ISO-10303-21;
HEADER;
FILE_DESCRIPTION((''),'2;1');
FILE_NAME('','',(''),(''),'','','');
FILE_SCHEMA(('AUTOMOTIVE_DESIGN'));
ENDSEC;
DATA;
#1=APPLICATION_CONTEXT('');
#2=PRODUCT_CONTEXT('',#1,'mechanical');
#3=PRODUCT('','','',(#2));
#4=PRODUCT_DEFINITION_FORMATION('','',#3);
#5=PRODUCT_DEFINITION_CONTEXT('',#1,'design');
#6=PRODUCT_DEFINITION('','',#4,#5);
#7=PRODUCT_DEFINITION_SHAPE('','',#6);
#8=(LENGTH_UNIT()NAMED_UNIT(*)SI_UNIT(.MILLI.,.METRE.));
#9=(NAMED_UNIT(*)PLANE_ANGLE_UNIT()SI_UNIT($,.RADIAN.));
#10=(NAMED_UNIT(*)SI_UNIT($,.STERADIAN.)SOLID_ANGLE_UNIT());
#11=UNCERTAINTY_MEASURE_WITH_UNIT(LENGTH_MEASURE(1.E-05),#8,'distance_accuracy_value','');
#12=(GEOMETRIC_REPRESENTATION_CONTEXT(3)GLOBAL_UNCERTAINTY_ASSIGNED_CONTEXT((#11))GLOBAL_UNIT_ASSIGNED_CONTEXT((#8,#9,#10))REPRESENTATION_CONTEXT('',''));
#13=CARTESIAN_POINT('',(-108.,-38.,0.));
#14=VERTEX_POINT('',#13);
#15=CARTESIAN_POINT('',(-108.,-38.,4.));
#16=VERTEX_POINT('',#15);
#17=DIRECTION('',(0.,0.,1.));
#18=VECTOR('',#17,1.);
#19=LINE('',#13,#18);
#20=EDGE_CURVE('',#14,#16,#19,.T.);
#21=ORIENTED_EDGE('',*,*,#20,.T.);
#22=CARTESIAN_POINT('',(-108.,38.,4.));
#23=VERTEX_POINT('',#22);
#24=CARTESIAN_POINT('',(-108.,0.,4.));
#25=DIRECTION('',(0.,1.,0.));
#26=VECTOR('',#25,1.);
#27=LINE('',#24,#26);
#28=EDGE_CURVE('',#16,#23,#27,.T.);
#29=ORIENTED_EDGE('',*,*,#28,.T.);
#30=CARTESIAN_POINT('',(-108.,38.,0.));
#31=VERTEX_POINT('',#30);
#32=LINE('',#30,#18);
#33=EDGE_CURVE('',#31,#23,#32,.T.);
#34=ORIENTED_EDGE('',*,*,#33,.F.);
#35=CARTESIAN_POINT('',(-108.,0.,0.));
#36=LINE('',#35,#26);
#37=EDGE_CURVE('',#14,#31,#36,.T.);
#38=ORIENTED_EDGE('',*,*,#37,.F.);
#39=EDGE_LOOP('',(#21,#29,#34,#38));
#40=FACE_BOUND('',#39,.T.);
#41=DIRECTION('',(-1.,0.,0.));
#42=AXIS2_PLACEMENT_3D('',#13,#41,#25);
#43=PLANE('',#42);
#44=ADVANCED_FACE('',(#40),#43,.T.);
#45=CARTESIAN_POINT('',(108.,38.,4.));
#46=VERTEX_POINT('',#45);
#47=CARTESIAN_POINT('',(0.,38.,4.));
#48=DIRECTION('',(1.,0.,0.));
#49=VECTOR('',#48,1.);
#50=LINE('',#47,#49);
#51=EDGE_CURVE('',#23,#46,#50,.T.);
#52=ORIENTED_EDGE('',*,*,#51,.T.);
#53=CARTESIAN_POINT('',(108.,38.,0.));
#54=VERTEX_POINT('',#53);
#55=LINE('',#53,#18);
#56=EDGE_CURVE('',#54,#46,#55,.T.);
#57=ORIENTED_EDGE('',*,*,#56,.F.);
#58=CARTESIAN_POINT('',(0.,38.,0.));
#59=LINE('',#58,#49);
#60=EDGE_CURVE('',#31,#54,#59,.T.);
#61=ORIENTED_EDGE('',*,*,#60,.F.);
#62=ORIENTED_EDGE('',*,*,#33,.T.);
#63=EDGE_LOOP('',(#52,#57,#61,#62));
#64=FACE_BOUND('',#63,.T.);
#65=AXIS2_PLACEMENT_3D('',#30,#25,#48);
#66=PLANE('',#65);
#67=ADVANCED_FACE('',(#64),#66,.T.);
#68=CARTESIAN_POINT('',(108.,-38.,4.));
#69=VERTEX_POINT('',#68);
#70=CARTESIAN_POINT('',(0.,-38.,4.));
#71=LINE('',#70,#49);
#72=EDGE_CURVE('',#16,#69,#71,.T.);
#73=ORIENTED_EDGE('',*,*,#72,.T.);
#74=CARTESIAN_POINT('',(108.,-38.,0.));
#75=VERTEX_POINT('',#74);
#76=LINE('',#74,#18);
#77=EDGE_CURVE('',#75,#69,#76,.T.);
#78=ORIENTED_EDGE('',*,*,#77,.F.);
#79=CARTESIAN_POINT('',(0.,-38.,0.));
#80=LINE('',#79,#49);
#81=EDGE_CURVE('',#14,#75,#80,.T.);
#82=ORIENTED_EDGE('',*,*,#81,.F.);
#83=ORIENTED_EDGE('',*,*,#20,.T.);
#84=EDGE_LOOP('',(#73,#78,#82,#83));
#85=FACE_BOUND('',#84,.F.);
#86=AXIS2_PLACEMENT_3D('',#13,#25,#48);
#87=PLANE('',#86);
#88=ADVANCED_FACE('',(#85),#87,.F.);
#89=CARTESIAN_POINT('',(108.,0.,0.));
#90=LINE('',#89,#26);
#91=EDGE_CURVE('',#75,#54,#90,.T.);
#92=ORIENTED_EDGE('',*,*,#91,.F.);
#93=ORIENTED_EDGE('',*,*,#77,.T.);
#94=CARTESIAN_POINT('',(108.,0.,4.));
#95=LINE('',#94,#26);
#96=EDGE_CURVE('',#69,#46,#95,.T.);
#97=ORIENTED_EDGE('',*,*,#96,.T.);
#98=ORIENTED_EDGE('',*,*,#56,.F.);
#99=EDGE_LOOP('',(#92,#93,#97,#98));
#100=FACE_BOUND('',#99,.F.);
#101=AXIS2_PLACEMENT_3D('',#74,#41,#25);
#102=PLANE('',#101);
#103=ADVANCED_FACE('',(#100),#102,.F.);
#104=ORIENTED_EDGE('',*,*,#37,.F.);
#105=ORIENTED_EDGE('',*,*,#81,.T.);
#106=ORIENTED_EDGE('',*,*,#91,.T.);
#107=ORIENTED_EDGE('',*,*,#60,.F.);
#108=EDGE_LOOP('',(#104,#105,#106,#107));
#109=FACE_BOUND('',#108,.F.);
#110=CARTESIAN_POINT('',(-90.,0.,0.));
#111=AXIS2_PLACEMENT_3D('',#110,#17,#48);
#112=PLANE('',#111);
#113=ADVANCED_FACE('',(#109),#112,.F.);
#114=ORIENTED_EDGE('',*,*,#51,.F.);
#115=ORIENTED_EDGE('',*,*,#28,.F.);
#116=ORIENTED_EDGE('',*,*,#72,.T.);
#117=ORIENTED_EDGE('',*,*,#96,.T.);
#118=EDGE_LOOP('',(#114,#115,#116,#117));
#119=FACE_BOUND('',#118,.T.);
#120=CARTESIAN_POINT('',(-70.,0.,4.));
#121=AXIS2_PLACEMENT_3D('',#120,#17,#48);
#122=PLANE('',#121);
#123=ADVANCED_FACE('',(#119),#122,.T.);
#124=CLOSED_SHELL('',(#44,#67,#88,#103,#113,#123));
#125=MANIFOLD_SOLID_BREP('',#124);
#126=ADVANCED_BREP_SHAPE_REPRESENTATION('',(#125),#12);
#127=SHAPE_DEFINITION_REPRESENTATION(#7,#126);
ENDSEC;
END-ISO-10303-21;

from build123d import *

# Parameters (mm, degrees)
SKETCH003_W         = 216
SKETCH003_H         = 76
SKETCH003_W_2       = 200
SKETCH003_H_2       = 60
PAD_DEPTH           = 4
SKETCH_W            = 20
SKETCH_H            = 60
PAD001_DEPTH        = 4
LINEARPATTERN_COUNT = 10
LINEARPATTERN_PITCH = 20


with BuildPart() as part:
    # Sketch003 → Pad (new body)
    with BuildSketch(Plane.XY):
        Rectangle(SKETCH003_W, SKETCH003_H)
        Rectangle(SKETCH003_W_2, SKETCH003_H_2, mode=Mode.SUBTRACT)
    extrude(amount=PAD_DEPTH)

    # Sketch (on Face10 of Pad) → Pad001 (join)
    with BuildSketch(Plane.XY.offset(4)):
        with Locations((-90, 0)):
            Rectangle(SKETCH_W, SKETCH_H)
    pad001 = extrude(amount=-PAD001_DEPTH)

    # LinearPattern: Pad001 ×10
    with Locations(*[(i * LINEARPATTERN_PITCH, 0, 0) for i in range(1, LINEARPATTERN_COUNT)]):
        add(pad001)


solid = part.part
